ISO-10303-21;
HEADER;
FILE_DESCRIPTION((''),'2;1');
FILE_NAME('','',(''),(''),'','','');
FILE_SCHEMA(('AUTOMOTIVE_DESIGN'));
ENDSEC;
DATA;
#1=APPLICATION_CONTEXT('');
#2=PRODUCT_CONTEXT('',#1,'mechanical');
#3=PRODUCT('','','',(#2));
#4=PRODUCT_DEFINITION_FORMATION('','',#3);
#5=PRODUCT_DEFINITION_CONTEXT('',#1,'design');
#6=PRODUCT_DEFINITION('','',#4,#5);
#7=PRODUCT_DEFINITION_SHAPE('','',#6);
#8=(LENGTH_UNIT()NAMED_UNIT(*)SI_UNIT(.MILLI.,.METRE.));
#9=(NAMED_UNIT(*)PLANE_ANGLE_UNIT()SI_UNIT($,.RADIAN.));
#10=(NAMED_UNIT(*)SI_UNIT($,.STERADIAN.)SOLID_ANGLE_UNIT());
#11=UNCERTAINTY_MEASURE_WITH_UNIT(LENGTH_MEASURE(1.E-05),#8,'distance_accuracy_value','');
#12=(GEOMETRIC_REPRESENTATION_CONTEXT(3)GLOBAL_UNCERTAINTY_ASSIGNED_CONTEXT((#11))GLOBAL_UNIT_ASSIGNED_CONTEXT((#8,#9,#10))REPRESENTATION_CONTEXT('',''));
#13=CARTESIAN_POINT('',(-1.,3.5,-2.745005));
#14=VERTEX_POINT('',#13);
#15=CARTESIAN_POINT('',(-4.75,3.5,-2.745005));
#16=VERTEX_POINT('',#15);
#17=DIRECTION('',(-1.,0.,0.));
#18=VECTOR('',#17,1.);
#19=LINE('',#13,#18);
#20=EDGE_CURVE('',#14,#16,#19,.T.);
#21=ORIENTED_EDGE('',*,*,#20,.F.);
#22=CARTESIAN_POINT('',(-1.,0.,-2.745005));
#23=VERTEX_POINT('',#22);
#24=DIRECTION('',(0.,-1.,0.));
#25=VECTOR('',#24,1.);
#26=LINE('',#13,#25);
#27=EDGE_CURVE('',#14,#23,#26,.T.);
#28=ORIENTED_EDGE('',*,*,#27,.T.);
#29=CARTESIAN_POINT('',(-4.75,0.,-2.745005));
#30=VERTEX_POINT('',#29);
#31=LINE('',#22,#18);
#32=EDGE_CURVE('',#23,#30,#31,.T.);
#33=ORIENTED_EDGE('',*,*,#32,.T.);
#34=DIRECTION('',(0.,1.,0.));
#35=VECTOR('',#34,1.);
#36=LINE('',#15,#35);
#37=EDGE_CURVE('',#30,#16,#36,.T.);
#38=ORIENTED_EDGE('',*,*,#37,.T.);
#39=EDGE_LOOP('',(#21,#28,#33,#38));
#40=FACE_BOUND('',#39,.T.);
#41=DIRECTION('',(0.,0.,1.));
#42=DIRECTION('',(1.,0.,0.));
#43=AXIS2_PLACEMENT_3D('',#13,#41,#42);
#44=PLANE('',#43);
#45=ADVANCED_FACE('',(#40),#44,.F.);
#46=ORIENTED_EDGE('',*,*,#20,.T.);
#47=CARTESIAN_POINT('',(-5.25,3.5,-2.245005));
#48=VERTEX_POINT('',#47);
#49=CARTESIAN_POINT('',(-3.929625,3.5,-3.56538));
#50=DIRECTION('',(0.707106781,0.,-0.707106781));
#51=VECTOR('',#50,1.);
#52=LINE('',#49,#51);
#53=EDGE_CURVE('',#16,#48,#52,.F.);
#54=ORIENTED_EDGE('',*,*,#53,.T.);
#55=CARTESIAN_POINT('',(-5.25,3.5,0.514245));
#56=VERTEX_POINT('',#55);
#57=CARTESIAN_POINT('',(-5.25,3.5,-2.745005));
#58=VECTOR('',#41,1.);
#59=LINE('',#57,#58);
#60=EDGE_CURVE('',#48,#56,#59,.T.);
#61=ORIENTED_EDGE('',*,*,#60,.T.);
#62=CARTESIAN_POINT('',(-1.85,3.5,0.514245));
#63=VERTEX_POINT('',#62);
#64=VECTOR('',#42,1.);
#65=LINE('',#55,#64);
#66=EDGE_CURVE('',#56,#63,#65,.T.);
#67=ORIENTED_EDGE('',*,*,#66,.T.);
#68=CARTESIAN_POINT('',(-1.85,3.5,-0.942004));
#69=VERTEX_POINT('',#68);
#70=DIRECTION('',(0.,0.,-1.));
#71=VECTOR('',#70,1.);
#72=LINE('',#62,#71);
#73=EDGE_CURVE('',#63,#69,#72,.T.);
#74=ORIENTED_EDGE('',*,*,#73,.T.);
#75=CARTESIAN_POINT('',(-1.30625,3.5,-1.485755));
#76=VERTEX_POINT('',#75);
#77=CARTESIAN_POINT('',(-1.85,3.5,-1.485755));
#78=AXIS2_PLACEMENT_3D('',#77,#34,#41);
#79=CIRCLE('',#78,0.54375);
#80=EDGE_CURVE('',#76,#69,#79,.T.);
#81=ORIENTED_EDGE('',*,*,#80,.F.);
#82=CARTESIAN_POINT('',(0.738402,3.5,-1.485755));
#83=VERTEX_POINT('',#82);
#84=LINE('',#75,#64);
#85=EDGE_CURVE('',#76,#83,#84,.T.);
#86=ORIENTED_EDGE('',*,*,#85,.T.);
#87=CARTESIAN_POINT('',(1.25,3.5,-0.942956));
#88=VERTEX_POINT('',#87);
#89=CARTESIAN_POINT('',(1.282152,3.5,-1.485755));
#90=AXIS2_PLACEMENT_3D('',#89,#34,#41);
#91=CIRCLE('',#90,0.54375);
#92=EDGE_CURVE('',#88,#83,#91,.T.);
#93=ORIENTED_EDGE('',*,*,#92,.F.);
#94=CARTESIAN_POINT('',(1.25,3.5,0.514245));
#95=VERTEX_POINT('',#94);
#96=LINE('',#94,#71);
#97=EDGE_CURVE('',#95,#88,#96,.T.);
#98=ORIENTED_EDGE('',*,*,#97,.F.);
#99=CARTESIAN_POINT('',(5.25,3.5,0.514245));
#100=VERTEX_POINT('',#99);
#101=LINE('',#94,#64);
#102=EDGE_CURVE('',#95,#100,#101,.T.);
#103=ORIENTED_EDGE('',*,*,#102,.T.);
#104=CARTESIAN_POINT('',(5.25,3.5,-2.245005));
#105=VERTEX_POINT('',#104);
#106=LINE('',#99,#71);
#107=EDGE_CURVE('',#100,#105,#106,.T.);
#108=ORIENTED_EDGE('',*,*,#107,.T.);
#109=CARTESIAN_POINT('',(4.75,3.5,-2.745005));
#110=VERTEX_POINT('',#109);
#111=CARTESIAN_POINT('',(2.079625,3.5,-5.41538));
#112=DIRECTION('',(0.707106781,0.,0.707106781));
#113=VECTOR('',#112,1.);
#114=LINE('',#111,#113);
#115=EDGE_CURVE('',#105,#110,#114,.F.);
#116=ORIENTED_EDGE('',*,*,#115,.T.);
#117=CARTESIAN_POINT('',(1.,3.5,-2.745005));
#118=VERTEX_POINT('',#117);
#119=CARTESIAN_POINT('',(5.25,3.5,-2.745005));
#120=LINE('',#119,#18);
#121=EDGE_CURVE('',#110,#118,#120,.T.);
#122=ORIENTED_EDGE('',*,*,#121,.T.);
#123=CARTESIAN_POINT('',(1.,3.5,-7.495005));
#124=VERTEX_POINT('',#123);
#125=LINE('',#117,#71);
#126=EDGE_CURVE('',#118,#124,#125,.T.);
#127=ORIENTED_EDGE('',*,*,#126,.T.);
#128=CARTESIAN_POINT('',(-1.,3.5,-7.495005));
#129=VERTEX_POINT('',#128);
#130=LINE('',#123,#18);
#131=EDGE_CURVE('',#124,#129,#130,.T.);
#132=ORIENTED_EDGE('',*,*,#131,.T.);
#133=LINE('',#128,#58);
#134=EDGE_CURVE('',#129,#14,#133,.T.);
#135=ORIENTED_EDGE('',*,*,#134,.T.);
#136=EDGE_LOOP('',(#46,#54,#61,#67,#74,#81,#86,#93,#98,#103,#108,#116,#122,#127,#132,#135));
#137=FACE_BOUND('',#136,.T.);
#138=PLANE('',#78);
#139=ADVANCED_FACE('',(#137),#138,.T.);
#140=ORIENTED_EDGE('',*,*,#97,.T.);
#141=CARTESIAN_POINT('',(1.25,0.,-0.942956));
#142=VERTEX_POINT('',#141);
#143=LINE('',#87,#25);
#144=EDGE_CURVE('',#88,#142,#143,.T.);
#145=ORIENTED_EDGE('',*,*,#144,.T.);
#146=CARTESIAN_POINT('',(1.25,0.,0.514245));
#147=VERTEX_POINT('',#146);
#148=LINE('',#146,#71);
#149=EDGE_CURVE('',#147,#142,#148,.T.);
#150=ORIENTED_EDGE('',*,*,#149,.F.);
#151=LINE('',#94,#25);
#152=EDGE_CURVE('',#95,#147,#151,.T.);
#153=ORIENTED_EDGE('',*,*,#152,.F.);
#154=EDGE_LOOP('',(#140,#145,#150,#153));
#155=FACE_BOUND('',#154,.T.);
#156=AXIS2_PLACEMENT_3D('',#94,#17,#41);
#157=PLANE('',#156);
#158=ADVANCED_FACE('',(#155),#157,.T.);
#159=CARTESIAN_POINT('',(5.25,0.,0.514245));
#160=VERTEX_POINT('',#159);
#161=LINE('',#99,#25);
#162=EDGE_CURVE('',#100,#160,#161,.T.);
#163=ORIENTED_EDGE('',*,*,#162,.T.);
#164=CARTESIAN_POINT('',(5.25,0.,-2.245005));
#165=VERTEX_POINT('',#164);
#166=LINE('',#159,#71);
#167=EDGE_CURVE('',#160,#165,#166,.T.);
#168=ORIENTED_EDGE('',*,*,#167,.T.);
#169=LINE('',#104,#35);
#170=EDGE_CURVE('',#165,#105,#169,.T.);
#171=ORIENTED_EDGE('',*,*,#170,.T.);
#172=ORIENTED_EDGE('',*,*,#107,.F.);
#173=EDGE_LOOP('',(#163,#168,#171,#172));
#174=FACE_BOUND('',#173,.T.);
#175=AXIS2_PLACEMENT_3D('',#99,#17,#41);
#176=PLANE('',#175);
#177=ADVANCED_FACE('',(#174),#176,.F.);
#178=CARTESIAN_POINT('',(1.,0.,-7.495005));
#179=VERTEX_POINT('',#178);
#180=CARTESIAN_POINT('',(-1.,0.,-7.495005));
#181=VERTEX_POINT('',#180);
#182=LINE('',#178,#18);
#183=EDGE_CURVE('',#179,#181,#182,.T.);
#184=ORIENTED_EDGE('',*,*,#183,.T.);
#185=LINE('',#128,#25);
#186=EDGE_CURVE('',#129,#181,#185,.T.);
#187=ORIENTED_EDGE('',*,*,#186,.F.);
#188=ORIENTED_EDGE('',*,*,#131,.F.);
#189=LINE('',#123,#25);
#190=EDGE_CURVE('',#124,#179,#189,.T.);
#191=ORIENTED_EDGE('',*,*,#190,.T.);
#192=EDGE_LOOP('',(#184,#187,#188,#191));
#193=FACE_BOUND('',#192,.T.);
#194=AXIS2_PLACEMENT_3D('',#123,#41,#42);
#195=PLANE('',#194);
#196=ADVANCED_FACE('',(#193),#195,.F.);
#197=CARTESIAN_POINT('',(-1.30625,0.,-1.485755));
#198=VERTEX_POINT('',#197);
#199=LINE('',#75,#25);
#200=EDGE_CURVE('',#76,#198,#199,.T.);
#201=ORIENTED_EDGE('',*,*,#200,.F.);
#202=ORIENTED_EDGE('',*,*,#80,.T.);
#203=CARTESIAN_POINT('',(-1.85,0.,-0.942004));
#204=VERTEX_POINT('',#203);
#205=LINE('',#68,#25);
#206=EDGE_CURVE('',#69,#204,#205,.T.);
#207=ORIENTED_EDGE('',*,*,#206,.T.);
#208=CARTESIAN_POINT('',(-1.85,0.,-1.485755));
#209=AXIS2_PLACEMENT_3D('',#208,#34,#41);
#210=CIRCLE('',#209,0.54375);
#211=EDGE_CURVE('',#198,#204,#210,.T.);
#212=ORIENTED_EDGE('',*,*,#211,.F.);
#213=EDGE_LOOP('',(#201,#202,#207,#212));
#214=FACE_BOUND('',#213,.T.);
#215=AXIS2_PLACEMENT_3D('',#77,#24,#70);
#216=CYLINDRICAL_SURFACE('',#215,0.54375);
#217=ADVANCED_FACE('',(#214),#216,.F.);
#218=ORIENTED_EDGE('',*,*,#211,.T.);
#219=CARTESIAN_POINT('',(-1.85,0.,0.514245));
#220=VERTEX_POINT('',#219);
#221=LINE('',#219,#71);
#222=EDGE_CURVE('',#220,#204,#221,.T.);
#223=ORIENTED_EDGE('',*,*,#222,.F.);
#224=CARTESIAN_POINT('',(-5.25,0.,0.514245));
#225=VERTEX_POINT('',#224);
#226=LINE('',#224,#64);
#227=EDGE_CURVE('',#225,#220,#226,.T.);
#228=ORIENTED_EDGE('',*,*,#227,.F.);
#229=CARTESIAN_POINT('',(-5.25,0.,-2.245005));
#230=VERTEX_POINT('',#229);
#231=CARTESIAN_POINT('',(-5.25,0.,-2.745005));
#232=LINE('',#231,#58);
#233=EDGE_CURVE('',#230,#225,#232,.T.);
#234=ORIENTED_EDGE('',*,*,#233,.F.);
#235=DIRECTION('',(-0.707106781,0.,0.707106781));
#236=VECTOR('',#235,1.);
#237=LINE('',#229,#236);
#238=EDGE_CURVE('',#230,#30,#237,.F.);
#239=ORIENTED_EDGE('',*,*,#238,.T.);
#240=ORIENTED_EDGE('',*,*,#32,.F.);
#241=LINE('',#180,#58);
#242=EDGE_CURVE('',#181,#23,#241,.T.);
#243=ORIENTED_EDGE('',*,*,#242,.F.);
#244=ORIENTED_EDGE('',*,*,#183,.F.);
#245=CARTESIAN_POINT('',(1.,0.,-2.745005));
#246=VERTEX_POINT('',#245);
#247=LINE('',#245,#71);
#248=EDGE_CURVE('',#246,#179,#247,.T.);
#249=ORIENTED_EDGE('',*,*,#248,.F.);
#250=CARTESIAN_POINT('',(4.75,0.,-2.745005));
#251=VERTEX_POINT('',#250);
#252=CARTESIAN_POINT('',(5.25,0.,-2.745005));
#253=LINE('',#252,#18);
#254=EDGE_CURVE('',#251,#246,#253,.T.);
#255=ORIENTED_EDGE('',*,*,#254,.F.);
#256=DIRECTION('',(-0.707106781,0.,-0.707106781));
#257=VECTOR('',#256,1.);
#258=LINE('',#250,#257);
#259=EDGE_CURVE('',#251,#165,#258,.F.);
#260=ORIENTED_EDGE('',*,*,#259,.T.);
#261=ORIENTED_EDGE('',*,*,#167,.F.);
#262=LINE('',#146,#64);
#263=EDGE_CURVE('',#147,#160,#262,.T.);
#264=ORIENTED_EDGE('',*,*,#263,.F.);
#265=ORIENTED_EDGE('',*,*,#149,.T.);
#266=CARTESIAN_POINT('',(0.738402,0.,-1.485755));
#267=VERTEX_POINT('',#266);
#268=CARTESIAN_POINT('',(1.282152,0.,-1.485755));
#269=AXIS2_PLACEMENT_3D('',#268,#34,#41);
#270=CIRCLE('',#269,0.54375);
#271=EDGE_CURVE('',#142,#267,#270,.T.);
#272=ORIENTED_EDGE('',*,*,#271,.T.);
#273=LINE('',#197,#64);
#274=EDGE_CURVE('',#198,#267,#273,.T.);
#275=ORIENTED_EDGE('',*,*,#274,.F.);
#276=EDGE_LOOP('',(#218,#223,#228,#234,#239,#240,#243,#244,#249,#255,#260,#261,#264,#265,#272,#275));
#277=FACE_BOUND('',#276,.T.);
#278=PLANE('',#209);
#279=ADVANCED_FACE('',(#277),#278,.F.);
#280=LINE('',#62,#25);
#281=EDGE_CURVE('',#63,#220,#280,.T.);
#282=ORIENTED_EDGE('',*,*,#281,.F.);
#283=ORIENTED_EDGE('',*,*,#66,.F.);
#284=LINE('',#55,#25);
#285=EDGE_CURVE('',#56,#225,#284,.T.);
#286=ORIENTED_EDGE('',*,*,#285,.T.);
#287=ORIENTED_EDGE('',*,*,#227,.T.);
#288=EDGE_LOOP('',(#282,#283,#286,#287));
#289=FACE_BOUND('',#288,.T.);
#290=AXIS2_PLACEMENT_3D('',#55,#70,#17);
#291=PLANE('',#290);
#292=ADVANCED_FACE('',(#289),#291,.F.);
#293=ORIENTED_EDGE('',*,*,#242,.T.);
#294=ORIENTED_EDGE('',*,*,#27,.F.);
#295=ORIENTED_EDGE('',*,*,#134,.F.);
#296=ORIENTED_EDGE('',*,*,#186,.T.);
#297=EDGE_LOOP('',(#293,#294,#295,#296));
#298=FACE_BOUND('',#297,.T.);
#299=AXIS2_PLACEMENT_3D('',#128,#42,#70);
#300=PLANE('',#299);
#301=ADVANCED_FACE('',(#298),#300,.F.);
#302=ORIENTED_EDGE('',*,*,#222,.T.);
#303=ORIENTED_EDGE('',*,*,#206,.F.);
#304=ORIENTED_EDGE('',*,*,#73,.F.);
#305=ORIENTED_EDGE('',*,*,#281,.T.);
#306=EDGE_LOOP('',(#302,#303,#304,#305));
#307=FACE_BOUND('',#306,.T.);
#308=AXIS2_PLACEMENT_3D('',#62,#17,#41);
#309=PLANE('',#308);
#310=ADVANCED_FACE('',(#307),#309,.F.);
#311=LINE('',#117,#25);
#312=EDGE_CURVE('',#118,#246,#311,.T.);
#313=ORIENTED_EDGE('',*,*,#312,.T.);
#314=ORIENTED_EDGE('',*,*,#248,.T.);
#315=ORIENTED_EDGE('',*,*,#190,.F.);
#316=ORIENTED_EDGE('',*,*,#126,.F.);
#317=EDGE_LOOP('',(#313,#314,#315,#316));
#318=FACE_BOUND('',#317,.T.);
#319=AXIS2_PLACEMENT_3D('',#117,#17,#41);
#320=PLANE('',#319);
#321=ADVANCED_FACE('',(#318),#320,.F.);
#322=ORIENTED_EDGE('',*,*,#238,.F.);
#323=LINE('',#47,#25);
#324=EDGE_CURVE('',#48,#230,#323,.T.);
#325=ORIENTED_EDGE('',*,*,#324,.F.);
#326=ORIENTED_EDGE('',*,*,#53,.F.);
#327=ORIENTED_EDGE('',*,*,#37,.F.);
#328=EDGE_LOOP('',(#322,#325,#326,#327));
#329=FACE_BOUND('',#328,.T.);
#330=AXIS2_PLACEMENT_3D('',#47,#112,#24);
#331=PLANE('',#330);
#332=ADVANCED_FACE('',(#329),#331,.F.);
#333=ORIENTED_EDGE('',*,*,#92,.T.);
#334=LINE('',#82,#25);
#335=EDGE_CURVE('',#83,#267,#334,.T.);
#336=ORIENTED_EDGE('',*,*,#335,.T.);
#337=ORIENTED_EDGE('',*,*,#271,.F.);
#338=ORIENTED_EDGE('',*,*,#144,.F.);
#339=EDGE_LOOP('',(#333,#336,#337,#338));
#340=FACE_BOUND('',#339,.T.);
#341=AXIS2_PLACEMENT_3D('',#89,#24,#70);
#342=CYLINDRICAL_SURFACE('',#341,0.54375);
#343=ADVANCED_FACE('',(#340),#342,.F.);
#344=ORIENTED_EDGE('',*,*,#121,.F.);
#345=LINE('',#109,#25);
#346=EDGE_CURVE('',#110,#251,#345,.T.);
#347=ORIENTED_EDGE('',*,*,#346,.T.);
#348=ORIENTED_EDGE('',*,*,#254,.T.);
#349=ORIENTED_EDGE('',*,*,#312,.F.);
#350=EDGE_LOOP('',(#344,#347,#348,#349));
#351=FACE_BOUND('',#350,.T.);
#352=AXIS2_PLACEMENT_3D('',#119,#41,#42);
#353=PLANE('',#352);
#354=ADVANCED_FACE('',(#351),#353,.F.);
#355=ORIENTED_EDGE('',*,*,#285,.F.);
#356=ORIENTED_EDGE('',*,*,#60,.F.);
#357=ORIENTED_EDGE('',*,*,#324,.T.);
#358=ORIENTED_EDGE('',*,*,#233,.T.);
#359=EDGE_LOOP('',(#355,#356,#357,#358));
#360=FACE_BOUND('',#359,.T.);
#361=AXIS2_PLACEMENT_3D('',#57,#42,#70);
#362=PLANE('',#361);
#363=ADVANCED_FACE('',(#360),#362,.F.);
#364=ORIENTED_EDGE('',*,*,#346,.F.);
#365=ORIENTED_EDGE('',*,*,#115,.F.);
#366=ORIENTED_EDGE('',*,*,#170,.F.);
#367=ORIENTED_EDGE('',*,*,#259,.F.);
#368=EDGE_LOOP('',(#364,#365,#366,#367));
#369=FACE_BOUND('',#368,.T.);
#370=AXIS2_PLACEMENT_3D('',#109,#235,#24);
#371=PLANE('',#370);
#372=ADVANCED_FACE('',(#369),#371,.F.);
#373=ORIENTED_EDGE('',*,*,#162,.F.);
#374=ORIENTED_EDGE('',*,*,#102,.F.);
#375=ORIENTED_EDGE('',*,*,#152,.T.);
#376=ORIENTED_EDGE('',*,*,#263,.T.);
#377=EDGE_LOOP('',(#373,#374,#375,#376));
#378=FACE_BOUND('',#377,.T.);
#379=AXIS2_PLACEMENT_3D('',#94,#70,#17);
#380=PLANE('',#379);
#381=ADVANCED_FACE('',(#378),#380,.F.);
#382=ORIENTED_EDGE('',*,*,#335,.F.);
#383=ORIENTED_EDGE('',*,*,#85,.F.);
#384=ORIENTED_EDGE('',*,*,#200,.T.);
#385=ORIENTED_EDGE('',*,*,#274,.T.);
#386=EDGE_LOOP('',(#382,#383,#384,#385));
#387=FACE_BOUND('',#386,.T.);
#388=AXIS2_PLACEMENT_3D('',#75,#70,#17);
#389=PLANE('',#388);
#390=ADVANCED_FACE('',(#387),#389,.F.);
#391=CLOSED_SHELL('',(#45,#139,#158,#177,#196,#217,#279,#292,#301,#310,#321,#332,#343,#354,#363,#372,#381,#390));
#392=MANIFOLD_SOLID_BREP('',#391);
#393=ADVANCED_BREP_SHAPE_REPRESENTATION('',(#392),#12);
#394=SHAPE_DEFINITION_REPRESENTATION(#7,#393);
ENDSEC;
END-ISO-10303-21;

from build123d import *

# Parameters (mm, degrees)
BOSS_EXTRUDE1_DEPTH = 3.5
CHAMFER1_SIZE       = 0.5


with BuildPart() as part:
    # Sketch1 → Boss-Extrude1 (new body)
    with BuildSketch(Plane(origin=(0, 0, 0), x_dir=(1, 0, 0), z_dir=(0, 1, 0))):
        with BuildLine():
            Line((-5.25, -0.51424544), (-1.85, -0.51424544))
            Line((-1.85, -0.51424544), (-1.85, 0.942004129))
            ThreePointArc((-1.85, 0.942004129), (-2.234489618, 1.870244178), (-1.306249568, 1.48575456))
            Line((-1.306249568, 1.48575456), (0.738401898, 1.48575456))
            ThreePointArc((0.738401898, 1.48575456), (1.677846262, 1.85870341), (1.25, 0.942955555))
            Line((1.25, 0.942955555), (1.25, -0.51424544))
            Line((1.25, -0.51424544), (5.25, -0.51424544))
            Line((5.25, -0.51424544), (5.25, 2.74500456))
            Line((5.25, 2.74500456), (1, 2.74500456))
            Line((1, 2.74500456), (1, 7.49500456))
            Line((1, 7.49500456), (-1, 7.49500456))
            Line((-1, 7.49500456), (-1, 2.74500456))
            Line((-1, 2.74500456), (-5.25, 2.74500456))
            Line((-5.25, 2.74500456), (-5.25, -0.51424544))
        make_face()
    extrude(amount=BOSS_EXTRUDE1_DEPTH)

    # Chamfer1
    chamfer1_edges = [part.edges().sort_by_distance(p)[0] for p in [
        (5.25, 1.75, -2.74500456),
        (-5.25, 1.75, -2.74500456),
    ]]
    chamfer(chamfer1_edges, length=CHAMFER1_SIZE)


solid = part.part
